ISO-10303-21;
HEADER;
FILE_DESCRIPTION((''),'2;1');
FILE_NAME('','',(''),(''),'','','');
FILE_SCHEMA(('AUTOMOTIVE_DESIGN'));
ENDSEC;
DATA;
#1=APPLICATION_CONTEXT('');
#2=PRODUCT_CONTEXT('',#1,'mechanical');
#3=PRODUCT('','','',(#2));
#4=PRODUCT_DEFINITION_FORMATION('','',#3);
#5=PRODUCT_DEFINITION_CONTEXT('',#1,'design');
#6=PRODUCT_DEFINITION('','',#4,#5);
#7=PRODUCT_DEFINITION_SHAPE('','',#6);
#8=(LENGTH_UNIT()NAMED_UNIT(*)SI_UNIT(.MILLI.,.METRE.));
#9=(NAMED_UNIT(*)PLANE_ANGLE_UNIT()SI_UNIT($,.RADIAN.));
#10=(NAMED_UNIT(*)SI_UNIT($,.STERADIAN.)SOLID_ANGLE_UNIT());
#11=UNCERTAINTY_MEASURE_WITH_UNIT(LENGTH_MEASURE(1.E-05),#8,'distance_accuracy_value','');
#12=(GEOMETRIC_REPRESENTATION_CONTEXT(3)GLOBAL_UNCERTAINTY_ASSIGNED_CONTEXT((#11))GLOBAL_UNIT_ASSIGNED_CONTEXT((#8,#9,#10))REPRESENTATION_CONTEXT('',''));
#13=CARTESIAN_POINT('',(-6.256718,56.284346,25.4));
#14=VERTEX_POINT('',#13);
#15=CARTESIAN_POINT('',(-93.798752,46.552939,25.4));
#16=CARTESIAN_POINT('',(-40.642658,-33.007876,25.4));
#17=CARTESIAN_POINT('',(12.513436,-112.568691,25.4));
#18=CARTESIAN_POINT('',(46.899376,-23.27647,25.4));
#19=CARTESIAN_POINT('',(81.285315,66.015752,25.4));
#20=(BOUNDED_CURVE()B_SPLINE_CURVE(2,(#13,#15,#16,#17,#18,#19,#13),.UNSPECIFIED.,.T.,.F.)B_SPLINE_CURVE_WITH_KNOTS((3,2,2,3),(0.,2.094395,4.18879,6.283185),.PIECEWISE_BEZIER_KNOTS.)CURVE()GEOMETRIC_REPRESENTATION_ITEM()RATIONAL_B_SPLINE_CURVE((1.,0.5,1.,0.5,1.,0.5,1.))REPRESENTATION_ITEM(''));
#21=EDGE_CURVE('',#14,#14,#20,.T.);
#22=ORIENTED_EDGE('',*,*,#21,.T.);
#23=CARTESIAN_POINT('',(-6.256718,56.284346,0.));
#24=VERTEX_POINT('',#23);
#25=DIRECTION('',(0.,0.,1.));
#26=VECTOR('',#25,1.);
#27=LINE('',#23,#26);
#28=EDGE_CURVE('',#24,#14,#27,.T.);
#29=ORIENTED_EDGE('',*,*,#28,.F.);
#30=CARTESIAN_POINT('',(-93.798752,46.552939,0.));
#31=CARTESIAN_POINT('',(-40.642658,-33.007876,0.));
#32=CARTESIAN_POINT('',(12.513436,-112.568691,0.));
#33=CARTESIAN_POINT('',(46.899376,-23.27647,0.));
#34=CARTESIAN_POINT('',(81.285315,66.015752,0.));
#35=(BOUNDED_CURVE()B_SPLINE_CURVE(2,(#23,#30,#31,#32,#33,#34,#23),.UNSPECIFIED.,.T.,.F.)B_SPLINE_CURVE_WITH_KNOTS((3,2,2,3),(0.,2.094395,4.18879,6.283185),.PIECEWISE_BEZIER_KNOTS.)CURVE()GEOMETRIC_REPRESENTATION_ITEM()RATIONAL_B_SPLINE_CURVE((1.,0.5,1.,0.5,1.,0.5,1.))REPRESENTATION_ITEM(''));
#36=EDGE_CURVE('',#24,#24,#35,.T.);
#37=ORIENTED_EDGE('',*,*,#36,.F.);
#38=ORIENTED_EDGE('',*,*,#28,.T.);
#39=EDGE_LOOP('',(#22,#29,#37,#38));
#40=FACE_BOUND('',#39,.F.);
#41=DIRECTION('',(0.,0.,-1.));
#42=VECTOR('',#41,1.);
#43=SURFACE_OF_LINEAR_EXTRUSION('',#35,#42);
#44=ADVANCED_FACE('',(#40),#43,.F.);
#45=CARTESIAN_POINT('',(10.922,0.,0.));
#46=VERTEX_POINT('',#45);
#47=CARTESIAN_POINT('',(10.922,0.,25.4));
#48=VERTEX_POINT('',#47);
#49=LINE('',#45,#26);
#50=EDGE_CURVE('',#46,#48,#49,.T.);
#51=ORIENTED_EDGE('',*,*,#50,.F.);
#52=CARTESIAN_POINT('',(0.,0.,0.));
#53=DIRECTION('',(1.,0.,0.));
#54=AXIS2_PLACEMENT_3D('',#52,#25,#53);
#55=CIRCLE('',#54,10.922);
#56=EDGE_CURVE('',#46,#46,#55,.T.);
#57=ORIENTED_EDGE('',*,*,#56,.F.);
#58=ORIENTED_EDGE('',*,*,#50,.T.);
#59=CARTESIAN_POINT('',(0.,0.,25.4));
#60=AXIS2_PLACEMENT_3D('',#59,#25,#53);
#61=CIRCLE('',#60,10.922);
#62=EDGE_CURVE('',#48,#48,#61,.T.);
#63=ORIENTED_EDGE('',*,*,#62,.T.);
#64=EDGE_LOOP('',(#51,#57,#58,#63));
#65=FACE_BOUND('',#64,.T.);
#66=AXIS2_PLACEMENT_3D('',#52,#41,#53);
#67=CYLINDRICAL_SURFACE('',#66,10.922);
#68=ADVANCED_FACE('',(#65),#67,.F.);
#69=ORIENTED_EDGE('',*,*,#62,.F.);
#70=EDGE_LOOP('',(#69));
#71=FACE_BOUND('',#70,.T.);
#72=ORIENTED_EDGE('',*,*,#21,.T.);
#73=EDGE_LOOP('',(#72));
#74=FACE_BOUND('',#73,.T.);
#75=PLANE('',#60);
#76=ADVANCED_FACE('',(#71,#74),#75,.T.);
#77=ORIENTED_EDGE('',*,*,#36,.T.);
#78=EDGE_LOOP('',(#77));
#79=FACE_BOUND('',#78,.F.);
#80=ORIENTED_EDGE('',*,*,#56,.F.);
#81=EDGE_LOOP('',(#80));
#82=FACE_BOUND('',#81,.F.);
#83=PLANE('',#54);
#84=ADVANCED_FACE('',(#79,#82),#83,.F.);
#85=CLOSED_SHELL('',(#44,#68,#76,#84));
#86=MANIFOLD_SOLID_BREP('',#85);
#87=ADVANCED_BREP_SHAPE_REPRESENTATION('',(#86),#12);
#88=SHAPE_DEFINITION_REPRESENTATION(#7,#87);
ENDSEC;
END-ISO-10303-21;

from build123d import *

# Parameters (mm, degrees)
F0_R     = 40.71088
F0_R_2   = 34.066832
F0_R_3   = 30.423607
F0_R_4   = 26.195148
F0_R_5   = 22.085911
F0_R_6   = 10.922
F1_DEPTH = 25.4


with BuildPart() as f1:
    # F0 (on Top) → F1 (new body)
    with BuildSketch(Plane.XY):
        with BuildLine():
            add(Edge.make_bspline(
                [(-6.256718, 56.284346), (-93.798752, 46.552939), (-40.642658, -33.007876), (12.513436, -112.568691), (46.899376, -23.27647), (81.285315, 66.015752), (-6.256718, 56.284346)],
                knots=[0, 0, 0, 2.094395, 2.094395, 4.18879, 4.18879, 6.283185, 6.283185, 6.283185], degree=2, weights=[1, 0.5, 1, 0.5, 1, 0.5, 1]))
        make_face()
        Circle(F0_R, mode=Mode.SUBTRACT)
        Circle(F0_R)
        Circle(F0_R_2, mode=Mode.SUBTRACT)
        Circle(F0_R_2)
        Circle(F0_R_3, mode=Mode.SUBTRACT)
        Circle(F0_R_3)
        Circle(F0_R_4, mode=Mode.SUBTRACT)
        Circle(F0_R_4)
        Circle(F0_R_5, mode=Mode.SUBTRACT)
        Circle(F0_R_5)
        Circle(F0_R_6, mode=Mode.SUBTRACT)
    extrude(amount=F1_DEPTH)


solid = f1.part
